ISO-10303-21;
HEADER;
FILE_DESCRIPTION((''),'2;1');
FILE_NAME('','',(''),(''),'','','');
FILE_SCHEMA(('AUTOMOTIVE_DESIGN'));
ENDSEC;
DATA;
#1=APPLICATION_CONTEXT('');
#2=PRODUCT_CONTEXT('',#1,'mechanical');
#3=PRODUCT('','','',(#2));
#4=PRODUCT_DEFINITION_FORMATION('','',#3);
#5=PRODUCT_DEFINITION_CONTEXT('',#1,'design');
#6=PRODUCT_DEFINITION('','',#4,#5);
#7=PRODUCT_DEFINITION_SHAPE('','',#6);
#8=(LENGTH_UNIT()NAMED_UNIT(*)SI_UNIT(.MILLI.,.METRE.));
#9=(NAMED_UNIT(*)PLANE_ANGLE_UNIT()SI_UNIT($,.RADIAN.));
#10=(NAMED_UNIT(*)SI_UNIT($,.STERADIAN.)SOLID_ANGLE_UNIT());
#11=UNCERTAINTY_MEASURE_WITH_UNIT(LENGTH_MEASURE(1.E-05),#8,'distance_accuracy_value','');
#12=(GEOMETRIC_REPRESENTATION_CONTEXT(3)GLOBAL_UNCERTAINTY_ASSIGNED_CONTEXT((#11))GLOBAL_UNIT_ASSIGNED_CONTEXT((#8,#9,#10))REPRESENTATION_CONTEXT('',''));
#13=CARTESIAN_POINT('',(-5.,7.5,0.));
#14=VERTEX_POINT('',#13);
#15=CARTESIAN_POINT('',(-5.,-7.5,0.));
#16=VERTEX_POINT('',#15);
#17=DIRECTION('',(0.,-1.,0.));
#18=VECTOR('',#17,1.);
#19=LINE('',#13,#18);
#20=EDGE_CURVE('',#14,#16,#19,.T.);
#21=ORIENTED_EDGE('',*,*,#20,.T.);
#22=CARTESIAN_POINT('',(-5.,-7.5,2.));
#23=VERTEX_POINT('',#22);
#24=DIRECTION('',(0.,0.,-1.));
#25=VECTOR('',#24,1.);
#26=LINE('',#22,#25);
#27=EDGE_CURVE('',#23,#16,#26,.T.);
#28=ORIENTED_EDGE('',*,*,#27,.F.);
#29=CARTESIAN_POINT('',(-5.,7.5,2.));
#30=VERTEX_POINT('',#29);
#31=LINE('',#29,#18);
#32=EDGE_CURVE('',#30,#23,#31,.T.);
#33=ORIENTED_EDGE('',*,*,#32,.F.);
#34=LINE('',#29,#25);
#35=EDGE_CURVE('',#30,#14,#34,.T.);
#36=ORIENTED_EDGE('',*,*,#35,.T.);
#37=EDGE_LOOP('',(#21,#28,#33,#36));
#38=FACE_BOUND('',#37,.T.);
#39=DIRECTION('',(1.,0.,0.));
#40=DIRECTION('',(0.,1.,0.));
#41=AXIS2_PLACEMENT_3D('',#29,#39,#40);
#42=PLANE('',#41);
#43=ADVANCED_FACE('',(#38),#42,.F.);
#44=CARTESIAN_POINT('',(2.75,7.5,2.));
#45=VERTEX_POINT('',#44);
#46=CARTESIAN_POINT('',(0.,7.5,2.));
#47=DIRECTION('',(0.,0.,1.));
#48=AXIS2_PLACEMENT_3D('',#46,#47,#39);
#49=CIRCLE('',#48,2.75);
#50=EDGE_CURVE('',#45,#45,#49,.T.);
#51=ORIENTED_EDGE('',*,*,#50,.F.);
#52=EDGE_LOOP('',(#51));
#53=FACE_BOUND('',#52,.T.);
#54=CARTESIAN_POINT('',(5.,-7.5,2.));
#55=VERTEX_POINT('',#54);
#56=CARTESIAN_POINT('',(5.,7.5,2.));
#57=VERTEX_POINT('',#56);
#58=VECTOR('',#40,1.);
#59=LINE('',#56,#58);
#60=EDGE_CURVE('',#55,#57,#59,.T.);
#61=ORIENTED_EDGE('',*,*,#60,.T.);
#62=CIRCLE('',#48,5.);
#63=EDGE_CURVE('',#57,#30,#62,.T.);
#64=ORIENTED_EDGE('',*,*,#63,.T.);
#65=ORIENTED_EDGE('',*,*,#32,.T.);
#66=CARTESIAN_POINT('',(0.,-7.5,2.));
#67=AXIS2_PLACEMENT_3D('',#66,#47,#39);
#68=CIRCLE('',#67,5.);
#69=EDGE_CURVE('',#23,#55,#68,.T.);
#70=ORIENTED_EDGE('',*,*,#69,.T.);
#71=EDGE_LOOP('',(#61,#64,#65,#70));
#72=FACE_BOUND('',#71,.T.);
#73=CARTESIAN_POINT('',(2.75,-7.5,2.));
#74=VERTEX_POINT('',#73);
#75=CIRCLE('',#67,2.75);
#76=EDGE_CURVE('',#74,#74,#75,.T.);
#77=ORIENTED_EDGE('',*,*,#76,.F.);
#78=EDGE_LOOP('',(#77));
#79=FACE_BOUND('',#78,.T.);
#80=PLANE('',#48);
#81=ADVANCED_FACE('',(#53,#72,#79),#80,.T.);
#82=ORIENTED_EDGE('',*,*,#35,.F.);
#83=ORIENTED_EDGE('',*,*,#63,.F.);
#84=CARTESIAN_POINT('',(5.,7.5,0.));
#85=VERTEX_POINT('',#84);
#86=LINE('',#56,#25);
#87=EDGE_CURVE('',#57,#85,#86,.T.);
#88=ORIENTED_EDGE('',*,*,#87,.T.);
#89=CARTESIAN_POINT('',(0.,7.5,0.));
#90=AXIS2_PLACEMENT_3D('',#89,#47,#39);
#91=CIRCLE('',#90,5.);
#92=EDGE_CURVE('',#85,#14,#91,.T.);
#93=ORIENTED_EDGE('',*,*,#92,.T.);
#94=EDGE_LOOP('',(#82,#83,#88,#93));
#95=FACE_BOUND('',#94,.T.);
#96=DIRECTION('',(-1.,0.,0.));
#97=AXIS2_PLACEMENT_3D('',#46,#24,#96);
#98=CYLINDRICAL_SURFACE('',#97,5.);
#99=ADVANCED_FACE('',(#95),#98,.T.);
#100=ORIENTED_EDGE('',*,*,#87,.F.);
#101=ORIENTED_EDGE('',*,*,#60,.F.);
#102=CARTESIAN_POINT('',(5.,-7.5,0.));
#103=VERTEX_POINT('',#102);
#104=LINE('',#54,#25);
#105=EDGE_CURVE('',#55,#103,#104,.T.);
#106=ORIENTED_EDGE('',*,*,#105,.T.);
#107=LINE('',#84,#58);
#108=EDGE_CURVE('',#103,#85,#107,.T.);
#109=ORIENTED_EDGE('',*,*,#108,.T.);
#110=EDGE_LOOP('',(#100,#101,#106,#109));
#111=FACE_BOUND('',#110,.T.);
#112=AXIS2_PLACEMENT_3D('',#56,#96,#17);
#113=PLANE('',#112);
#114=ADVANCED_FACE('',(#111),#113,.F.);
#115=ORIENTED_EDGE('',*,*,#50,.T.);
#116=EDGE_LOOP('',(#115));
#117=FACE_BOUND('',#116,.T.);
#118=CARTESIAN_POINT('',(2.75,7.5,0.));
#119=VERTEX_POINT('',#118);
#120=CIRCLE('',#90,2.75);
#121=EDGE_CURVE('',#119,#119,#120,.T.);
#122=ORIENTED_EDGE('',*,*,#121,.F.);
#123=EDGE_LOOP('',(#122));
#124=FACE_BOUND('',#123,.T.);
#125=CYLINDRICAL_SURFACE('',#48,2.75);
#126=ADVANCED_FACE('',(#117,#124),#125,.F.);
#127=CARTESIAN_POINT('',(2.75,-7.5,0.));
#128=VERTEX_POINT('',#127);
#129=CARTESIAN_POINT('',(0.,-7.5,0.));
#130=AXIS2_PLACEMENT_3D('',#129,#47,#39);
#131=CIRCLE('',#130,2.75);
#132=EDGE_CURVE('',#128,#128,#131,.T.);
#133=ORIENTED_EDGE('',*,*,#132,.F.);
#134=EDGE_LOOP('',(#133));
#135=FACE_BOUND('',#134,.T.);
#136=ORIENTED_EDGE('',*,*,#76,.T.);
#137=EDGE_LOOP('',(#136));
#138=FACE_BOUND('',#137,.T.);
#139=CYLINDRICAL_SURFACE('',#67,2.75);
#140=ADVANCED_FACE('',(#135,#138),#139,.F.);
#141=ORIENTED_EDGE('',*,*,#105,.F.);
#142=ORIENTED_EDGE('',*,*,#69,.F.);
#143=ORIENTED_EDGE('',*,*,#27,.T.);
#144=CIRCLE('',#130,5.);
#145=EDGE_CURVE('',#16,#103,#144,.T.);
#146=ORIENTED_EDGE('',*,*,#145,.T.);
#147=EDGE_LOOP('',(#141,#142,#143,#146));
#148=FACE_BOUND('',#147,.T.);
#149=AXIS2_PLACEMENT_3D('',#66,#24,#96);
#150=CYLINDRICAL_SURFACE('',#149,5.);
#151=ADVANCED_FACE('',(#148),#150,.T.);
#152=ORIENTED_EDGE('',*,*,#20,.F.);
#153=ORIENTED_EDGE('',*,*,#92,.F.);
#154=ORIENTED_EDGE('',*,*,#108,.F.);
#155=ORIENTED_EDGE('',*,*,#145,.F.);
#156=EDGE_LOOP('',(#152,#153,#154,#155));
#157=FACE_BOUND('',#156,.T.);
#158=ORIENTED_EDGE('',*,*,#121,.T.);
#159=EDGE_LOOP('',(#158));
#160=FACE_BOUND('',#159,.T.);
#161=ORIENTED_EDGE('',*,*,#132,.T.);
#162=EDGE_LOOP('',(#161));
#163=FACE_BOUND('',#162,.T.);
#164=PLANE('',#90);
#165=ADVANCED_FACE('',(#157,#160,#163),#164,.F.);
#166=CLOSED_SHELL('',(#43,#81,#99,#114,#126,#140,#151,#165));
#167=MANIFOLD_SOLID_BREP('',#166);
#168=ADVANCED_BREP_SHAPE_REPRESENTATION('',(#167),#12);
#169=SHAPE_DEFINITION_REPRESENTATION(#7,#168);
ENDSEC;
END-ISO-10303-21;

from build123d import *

# Parameters (mm, degrees)
BOSS_EXTRUDE1_DEPTH  = 2
M5_CLEARANCE_HOLE1_D = 5.5


with BuildPart() as part:
    # Sketch1 → Boss-Extrude1 (new body)
    with BuildSketch(Plane.XY):
        with BuildLine():
            Line((5, 7.5), (5, -7.5))
            ThreePointArc((5, -7.5), (0, -12.5), (-5, -7.5))
            Line((-5, -7.5), (-5, 7.5))
            ThreePointArc((-5, 7.5), (0, 12.5), (5, 7.5))
        make_face()
    extrude(amount=BOSS_EXTRUDE1_DEPTH)

    # M5 Clearance Hole1 (through all)
    with Locations(Plane.XY.offset(2)):
        with Locations((0, 7.5), (0, -7.5)):
            Hole(M5_CLEARANCE_HOLE1_D / 2)


solid = part.part
